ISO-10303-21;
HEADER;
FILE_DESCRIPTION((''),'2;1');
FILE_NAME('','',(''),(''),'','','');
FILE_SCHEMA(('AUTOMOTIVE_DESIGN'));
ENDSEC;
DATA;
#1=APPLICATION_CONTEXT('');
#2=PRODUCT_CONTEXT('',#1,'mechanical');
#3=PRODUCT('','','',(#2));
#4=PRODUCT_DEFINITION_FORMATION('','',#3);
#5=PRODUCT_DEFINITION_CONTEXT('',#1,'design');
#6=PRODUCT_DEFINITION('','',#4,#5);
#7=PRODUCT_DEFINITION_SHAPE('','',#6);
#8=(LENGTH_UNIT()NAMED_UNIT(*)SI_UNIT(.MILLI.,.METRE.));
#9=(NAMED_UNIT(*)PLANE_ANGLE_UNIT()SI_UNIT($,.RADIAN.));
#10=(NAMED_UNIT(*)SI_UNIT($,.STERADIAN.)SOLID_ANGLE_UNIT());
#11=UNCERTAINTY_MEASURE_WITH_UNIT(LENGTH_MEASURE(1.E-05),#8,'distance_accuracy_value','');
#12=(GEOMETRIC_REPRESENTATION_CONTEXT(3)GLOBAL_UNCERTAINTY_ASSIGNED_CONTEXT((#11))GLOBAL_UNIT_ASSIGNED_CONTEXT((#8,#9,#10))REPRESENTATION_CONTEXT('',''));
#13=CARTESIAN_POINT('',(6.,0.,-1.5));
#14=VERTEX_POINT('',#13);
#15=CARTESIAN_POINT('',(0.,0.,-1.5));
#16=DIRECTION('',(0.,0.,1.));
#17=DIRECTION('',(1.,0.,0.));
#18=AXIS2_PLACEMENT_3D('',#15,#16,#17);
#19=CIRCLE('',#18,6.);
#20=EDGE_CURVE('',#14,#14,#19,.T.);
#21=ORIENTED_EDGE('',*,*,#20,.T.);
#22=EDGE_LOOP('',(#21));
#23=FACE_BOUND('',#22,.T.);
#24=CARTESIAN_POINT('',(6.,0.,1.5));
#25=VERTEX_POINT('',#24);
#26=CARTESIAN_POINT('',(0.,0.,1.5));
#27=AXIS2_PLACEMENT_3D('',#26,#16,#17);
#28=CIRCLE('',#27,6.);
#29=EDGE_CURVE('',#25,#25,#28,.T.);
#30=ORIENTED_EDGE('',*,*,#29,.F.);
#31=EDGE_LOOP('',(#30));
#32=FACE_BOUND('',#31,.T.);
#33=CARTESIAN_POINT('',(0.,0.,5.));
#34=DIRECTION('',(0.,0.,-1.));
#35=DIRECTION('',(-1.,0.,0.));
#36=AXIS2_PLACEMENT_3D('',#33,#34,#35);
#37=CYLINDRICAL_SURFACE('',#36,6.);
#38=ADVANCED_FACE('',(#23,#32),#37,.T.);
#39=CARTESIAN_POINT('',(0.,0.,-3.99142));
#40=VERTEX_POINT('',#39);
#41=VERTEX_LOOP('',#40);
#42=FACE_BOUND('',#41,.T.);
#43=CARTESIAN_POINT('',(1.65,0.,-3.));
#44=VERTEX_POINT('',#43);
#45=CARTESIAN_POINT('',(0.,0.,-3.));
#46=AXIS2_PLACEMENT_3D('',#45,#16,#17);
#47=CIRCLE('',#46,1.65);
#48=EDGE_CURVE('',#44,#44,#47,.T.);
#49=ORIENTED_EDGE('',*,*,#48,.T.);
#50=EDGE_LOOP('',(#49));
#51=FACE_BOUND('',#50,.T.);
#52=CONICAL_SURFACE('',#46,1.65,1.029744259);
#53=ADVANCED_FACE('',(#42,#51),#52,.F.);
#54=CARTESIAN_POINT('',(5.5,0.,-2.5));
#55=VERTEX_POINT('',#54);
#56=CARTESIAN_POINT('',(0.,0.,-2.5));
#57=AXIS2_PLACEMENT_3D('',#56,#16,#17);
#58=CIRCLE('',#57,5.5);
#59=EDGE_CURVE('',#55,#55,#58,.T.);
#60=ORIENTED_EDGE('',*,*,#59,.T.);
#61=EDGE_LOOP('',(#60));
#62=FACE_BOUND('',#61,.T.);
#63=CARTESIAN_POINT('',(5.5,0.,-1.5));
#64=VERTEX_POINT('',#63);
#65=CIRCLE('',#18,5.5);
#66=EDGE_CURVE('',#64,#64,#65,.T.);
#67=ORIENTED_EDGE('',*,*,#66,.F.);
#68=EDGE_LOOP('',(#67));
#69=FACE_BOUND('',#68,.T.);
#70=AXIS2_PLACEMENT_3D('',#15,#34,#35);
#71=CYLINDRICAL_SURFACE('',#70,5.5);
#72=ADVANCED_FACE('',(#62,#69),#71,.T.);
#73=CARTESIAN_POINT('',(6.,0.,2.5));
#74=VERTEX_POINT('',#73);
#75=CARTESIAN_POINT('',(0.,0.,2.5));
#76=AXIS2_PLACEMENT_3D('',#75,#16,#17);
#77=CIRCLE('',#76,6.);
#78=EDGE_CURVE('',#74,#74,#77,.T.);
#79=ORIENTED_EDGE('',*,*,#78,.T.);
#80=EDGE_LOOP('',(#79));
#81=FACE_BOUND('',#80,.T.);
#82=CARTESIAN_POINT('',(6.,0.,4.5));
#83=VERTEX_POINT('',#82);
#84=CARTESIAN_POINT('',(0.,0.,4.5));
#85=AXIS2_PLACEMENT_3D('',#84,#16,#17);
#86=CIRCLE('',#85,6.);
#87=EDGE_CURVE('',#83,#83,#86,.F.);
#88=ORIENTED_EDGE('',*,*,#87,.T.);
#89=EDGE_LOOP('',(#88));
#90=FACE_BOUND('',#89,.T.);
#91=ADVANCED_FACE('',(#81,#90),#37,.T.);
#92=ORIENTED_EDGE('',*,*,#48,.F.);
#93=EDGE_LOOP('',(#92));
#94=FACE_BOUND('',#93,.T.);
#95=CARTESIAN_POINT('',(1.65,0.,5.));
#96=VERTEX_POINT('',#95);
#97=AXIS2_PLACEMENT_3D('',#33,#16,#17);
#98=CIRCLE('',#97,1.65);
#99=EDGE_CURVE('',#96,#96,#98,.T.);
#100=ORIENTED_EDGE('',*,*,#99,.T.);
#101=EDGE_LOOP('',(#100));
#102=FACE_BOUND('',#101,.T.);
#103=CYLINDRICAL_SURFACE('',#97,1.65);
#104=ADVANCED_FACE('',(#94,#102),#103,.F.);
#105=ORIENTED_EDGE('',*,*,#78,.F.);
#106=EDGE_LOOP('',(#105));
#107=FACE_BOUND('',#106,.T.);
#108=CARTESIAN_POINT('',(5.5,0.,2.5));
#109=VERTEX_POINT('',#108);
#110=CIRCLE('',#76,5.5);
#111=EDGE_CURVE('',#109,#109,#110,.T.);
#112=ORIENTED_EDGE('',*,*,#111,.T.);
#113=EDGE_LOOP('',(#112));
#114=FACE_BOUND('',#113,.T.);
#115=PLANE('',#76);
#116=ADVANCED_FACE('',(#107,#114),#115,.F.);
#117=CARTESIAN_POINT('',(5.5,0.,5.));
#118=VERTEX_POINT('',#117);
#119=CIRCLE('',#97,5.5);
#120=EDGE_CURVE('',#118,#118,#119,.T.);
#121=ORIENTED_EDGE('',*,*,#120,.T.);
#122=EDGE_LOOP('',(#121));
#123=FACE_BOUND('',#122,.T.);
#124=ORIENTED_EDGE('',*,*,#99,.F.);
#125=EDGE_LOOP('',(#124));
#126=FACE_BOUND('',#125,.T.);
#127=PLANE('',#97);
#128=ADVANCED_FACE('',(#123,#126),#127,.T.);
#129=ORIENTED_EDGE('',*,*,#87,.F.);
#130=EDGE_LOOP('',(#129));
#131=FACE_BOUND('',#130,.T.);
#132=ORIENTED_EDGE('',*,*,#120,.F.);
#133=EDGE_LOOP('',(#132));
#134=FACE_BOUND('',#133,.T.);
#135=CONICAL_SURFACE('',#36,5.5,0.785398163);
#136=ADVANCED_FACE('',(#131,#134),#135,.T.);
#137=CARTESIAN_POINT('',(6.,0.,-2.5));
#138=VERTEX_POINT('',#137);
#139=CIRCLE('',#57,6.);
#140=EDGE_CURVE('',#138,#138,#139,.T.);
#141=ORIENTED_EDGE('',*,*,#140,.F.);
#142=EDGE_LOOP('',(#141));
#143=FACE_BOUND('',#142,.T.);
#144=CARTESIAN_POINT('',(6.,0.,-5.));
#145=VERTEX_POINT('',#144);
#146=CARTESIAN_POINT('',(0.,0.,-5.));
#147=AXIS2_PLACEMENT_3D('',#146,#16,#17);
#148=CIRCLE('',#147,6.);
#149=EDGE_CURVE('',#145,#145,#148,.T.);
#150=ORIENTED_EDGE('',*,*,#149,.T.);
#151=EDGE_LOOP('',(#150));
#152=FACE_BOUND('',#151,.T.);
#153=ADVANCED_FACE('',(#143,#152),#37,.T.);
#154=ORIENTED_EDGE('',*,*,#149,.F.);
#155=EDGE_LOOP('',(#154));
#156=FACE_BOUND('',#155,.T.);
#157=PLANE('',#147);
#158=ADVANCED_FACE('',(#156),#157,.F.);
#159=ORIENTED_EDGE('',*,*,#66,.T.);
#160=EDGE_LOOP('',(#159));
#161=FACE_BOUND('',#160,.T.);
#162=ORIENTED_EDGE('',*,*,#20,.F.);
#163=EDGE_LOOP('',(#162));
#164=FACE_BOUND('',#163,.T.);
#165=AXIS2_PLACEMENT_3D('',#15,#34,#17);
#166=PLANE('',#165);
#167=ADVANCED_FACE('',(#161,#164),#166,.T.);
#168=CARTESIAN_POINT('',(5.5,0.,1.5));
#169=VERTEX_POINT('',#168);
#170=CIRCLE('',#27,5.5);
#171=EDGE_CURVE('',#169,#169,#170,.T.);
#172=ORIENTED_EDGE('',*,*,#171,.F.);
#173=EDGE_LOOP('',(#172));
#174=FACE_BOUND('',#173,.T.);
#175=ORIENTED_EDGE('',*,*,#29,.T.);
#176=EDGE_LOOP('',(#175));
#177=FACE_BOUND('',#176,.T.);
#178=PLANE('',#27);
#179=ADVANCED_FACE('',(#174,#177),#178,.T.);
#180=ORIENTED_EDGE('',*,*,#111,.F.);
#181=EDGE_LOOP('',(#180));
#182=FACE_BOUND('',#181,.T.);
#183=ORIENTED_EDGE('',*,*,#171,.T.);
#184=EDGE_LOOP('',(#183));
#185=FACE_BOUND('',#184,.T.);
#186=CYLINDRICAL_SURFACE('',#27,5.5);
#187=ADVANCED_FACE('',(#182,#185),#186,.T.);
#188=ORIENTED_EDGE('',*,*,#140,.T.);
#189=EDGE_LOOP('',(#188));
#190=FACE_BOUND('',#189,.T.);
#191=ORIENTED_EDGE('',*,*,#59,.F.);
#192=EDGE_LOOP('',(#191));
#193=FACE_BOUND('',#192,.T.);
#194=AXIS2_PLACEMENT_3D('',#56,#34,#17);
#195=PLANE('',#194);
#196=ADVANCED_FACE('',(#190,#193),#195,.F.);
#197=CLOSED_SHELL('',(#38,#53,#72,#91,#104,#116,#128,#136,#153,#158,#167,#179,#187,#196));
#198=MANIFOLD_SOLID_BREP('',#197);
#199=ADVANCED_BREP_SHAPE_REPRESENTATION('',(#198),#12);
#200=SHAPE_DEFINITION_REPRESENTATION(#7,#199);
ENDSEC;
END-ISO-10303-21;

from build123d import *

# Parameters (mm, degrees)
SKETCH1_R                 = 6
BOSS_EXTRUDE1_DEPTH       = 5
CUT_EXTRUDE1_START        = -2.5
SKETCH2_R                 = 6
SKETCH2_R_2               = 5.5
CUT_EXTRUDE1_DEPTH        = 1
CHAMFER1_SIZE             = 0.5
M4X0_7_TAPPED_HOLE1_D     = 3.3
M4X0_7_TAPPED_HOLE1_DEPTH = 8
M4X0_7_TAPPED_HOLE1_TIP   = 0.991420021


with BuildPart() as part:
    # Sketch1 → Boss-Extrude1 (new body, symmetric)
    with BuildSketch(Plane.XY):
        Circle(SKETCH1_R)
    extrude(amount=BOSS_EXTRUDE1_DEPTH, both=True)

    # Sketch2 → Cut-Extrude1 (cut)
    with BuildSketch(Plane.XY.offset(5).offset(CUT_EXTRUDE1_START)):
        Circle(SKETCH2_R)
        Circle(SKETCH2_R_2, mode=Mode.SUBTRACT)
    cut_extrude1 = extrude(amount=-CUT_EXTRUDE1_DEPTH, mode=Mode.SUBTRACT)

    # Mirror1: Cut-Extrude1 across plane
    add(cut_extrude1.mirror(Plane.XY), mode=Mode.SUBTRACT)

    # Chamfer1
    chamfer1_edges = [part.edges().sort_by_distance(p)[0] for p in [
        (-6, 0, 5),
    ]]
    chamfer(chamfer1_edges, length=CHAMFER1_SIZE)

    # M4x0.7 Tapped Hole1
    with Locations(Plane.XY.offset(5)):
        with Locations((0, 0)):
            Hole(M4X0_7_TAPPED_HOLE1_D / 2, depth=M4X0_7_TAPPED_HOLE1_DEPTH)
            with Locations((0, 0, -(M4X0_7_TAPPED_HOLE1_DEPTH + M4X0_7_TAPPED_HOLE1_TIP / 2))):  # 118° drill point
                Cone(0, M4X0_7_TAPPED_HOLE1_D / 2, M4X0_7_TAPPED_HOLE1_TIP, mode=Mode.SUBTRACT)


solid = part.part
